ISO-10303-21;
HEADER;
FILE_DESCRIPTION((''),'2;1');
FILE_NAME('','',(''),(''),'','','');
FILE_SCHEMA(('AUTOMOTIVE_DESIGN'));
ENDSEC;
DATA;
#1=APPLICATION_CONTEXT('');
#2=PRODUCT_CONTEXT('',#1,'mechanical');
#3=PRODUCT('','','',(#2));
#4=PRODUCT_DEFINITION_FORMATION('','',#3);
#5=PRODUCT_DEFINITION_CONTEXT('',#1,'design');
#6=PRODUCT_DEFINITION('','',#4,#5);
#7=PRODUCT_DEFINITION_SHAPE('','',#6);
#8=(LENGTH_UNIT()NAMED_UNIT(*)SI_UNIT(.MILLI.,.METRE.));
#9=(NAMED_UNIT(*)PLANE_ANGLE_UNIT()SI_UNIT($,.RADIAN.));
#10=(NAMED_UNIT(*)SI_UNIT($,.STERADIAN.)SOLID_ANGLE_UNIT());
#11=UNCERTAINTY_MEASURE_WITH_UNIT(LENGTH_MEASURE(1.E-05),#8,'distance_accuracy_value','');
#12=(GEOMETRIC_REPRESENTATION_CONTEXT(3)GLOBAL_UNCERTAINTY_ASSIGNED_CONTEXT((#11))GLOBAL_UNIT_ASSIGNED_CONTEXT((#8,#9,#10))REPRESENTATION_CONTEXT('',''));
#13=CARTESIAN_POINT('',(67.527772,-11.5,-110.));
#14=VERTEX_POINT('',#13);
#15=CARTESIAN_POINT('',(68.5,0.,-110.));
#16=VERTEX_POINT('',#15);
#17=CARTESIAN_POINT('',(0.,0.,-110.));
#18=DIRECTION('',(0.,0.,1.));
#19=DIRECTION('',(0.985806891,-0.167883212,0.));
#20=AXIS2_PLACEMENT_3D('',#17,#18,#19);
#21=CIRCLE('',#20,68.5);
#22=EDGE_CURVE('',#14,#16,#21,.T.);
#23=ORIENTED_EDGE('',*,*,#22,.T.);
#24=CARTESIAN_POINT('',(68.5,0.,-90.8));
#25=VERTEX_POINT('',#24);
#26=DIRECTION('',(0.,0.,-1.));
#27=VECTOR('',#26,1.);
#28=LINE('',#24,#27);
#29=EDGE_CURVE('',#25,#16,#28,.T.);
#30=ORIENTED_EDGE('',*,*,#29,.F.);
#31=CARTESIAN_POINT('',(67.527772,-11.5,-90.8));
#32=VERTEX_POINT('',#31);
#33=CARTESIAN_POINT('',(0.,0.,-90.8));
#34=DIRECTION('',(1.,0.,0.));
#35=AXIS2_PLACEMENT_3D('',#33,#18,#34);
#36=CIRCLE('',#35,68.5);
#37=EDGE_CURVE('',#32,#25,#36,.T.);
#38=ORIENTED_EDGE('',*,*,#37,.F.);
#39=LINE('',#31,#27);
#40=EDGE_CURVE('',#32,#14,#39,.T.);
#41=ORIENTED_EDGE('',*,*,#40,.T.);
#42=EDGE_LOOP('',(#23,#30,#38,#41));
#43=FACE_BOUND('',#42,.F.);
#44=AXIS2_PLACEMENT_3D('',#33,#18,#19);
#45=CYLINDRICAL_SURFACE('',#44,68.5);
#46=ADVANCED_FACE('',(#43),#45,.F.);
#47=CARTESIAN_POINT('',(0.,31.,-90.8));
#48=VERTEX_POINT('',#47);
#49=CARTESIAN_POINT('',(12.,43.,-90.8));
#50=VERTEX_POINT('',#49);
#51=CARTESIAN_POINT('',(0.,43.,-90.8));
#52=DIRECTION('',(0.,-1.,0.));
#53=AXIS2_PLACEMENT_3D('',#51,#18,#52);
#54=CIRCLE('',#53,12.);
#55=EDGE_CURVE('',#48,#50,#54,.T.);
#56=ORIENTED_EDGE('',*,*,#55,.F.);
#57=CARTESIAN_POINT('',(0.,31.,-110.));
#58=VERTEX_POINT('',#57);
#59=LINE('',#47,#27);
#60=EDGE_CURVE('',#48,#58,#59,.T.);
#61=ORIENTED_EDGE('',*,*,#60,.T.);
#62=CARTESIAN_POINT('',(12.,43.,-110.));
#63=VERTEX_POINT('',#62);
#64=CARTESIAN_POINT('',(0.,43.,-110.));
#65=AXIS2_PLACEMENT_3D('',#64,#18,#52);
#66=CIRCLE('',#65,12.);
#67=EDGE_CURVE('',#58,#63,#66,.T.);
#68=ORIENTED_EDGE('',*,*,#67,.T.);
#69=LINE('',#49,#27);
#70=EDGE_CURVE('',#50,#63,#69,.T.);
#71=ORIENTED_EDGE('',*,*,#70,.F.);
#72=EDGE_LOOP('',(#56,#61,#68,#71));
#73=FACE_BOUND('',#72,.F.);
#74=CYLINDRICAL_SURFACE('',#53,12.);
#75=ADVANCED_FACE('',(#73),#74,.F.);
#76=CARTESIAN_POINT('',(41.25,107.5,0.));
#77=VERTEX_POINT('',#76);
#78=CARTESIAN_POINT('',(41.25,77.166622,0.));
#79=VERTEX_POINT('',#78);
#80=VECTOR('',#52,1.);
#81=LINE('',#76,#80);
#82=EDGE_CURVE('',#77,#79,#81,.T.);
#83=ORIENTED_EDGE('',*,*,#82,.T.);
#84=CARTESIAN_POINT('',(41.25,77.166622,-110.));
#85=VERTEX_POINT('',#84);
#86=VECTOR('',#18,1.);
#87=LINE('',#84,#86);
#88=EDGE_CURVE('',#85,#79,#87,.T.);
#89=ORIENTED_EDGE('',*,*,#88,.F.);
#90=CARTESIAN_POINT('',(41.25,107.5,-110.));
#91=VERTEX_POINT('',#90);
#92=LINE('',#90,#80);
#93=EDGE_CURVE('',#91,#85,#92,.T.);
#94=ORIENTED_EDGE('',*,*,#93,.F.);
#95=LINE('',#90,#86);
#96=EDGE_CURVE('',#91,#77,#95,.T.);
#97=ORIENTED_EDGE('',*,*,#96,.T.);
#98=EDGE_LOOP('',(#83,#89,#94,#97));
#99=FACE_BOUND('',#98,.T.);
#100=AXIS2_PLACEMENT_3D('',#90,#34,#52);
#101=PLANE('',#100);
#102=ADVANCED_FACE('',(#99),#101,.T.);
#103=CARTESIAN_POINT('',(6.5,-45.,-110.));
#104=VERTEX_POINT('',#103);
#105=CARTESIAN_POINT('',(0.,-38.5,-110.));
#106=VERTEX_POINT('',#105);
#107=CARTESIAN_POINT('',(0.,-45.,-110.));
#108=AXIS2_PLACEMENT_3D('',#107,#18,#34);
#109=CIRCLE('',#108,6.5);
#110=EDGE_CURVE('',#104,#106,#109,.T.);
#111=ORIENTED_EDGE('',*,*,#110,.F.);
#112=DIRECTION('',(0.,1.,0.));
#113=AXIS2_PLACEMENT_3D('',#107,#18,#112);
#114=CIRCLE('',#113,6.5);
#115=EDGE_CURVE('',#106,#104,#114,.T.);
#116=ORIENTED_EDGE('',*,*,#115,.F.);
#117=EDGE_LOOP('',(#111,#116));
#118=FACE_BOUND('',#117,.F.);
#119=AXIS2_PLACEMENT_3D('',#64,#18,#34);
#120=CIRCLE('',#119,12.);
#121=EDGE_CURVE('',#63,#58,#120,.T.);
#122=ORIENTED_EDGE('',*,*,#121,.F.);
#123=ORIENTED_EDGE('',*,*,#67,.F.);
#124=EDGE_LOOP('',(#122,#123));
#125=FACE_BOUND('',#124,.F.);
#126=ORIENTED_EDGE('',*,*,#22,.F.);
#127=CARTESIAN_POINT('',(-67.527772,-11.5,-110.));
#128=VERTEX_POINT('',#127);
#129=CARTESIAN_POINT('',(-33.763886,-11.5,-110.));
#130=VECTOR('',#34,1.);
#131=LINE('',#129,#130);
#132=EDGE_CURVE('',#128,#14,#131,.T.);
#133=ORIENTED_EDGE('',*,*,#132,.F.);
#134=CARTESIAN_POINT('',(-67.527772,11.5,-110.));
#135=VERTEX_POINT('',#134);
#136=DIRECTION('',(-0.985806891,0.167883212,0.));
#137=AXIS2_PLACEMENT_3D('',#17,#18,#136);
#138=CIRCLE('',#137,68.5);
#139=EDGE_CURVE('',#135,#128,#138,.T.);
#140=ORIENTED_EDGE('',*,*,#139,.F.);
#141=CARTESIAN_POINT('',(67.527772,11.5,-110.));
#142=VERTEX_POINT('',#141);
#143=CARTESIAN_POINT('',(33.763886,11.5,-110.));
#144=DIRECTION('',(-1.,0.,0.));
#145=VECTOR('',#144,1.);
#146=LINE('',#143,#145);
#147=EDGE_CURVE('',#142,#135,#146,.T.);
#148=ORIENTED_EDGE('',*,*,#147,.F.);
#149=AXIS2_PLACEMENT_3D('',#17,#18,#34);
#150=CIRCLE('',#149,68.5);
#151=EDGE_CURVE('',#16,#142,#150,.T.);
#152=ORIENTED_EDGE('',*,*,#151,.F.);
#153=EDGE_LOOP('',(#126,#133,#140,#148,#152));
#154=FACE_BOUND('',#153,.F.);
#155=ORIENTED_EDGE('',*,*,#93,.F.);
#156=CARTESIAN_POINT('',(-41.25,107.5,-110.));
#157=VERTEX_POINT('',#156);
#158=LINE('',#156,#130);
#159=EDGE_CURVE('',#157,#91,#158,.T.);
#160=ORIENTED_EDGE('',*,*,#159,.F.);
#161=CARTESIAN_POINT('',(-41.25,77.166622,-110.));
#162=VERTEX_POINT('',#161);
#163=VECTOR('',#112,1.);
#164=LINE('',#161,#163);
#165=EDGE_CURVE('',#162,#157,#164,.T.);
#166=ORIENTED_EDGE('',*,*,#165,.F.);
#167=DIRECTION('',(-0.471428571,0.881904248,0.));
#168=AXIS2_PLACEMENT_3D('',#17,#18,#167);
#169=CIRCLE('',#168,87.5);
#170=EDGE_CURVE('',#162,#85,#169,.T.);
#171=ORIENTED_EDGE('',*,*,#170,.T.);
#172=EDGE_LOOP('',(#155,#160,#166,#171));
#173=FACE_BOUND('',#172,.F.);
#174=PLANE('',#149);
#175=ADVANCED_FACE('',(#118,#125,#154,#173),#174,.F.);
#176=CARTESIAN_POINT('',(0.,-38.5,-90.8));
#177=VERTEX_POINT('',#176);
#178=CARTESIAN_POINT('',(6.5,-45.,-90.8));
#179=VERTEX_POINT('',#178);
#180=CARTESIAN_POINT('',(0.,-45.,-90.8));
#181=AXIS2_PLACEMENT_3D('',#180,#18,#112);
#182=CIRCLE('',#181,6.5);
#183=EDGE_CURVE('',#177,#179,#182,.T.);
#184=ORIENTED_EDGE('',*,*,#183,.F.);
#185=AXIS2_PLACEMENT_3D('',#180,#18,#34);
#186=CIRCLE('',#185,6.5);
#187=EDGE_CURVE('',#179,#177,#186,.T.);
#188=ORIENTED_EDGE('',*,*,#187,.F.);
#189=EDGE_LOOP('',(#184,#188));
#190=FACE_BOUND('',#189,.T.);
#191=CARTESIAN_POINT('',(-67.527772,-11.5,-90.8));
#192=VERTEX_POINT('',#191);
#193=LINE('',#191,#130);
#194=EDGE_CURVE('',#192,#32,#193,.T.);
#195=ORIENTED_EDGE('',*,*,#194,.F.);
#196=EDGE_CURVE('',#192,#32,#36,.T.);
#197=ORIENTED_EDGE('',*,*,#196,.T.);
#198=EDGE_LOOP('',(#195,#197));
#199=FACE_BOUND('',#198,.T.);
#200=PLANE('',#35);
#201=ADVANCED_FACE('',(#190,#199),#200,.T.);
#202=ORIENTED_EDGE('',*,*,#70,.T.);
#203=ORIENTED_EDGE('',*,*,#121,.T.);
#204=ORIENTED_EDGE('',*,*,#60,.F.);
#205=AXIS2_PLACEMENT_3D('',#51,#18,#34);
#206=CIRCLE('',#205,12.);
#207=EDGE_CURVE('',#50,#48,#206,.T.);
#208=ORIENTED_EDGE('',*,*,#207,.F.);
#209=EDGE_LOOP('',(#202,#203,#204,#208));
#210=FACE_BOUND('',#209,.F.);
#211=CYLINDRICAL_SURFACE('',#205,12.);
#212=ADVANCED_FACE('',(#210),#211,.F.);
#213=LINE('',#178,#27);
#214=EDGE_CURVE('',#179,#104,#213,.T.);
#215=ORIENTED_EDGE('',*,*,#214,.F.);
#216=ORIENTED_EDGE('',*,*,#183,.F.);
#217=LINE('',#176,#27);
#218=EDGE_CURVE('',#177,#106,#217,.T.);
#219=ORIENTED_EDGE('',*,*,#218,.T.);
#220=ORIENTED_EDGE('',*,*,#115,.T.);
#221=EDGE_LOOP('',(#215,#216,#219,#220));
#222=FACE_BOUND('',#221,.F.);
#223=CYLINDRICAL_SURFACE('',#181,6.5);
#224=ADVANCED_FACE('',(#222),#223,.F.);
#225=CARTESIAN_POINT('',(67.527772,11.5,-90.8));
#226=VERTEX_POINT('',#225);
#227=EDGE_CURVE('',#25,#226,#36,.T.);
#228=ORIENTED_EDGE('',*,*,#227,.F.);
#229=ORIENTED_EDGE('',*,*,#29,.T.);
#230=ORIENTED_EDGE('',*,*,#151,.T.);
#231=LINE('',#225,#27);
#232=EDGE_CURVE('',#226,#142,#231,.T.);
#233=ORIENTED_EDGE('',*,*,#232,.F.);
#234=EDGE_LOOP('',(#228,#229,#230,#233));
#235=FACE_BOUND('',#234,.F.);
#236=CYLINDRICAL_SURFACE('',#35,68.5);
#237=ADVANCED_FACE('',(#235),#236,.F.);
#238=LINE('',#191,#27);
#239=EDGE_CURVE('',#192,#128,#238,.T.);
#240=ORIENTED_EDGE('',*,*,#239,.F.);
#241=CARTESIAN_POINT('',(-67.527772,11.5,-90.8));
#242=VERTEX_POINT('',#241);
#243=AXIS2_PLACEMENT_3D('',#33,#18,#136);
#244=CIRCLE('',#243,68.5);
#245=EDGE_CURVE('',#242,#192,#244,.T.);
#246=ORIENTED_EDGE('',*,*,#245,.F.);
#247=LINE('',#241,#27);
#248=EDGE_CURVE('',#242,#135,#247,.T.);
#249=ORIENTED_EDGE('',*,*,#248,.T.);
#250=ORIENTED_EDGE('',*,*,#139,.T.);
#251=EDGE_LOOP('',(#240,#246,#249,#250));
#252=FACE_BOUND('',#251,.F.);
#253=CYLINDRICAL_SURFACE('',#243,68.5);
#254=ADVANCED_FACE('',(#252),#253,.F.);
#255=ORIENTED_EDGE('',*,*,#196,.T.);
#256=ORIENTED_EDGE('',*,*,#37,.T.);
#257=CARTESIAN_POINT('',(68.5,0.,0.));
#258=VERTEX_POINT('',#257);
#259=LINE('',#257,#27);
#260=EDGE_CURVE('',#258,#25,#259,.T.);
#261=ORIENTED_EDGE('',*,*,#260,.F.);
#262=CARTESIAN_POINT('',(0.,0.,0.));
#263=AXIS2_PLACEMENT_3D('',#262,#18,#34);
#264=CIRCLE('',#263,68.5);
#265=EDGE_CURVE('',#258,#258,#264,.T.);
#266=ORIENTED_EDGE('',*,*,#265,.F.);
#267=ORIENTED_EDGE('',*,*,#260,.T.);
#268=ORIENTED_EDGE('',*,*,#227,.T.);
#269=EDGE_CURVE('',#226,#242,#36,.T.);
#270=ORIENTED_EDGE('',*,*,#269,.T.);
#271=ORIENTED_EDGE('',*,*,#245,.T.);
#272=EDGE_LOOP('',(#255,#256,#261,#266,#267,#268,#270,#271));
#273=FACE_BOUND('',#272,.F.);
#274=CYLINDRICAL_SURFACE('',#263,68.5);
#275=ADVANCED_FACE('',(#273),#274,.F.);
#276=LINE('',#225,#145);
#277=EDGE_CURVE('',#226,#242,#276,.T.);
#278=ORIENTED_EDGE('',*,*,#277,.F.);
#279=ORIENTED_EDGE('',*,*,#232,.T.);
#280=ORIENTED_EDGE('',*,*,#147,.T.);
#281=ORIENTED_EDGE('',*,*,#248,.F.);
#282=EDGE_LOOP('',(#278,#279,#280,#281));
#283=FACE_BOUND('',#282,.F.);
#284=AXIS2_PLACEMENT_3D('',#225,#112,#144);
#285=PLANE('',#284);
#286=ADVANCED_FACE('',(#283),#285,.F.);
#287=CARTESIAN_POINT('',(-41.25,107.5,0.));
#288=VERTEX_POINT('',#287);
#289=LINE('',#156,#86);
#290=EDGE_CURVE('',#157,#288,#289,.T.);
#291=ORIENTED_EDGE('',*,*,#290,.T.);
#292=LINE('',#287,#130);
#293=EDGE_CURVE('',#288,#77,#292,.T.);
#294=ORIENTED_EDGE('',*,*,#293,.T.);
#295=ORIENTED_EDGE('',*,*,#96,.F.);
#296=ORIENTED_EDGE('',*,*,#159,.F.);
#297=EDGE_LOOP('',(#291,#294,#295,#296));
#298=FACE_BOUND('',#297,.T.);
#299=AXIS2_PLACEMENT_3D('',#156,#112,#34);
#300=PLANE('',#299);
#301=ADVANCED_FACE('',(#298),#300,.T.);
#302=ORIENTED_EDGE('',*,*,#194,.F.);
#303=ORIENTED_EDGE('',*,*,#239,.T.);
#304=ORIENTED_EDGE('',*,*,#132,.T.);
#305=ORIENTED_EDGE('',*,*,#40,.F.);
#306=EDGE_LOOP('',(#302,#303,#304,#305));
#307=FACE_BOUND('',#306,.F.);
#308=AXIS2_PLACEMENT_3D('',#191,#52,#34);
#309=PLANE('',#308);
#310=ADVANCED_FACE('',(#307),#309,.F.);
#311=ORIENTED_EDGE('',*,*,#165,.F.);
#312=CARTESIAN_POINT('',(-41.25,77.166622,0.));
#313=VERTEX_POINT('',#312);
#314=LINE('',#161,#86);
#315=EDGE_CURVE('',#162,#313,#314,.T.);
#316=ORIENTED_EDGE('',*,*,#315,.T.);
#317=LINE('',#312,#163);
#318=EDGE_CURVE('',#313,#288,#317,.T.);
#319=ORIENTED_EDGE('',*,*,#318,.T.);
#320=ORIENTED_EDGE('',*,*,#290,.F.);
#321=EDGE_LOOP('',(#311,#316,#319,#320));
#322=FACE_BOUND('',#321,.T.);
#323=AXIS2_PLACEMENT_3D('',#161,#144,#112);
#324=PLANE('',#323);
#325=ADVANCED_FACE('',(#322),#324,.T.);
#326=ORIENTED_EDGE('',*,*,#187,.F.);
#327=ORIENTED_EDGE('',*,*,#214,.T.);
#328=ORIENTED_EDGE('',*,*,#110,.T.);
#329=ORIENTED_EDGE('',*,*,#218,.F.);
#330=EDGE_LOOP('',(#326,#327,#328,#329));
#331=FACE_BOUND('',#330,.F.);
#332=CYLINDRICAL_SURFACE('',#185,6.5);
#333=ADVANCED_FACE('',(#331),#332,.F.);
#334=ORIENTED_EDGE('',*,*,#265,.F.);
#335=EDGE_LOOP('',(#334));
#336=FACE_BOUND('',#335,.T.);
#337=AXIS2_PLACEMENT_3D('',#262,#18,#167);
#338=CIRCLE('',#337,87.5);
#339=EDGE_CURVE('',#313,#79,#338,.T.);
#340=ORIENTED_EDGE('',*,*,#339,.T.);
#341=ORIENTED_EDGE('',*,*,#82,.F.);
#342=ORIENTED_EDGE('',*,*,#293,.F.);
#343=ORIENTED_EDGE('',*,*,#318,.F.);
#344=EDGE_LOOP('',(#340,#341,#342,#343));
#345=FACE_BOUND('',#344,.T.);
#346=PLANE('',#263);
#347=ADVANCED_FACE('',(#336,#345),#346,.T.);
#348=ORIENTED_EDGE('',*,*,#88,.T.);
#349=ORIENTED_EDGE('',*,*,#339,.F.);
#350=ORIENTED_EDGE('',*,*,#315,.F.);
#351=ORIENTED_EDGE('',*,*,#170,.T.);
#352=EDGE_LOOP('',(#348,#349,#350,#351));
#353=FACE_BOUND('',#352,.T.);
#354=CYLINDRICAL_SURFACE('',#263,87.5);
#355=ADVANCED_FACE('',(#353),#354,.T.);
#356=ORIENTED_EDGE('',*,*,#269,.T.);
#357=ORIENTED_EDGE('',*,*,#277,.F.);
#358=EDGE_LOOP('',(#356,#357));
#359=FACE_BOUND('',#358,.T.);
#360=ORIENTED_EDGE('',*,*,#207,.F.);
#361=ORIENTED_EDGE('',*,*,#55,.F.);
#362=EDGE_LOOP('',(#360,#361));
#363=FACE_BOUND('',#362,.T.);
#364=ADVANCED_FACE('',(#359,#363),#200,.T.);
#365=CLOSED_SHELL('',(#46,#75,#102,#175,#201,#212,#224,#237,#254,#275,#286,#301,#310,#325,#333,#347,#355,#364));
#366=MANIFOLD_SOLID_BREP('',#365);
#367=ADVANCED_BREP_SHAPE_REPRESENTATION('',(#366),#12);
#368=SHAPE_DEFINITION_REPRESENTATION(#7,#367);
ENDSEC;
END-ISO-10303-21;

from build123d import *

# Parameters (mm, degrees)
F0_W     = 330
F0_H     = 300
F1_DEPTH = 110
F2_R     = 68.5
F3_DEPTH = 90.8
F5_DEPTH = 19.201
F2_W     = 330
F2_H     = 300
F2_R_2   = 87.5
F6_DEPTH = 110.001
F8_DEPTH = 110


with BuildPart() as f1:
    # F0 (on Top) → F1 (new body)
    with BuildSketch(Plane.XY):
        Rectangle(F0_W, F0_H)
    extrude(amount=-F1_DEPTH)

    # F2 (on Top) → F3 (cut)
    with BuildSketch(Plane.XY):
        Circle(F2_R)
    extrude(amount=-F3_DEPTH, mode=Mode.SUBTRACT)

    # F4 (on face) → F5 (cut, through all)
    with BuildSketch(Plane.XY.offset(-90.8)):
        with BuildLine():
            Line((0, -11.5), (0, 0))
            Line((0, 0), (0, 11.5))
            Line((0, 11.5), (-67.5277720645, 11.5))
            ThreePointArc((-67.5277720645, 11.5), (-68.5, 0), (-67.5277720645, -11.5))
            Line((-67.5277720645, -11.5), (0, -11.5))
        make_face()
        with BuildLine():
            Line((0, 11.5), (0, 0))
            Line((0, 0), (0, -11.5))
            Line((0, -11.5), (67.5277720645, -11.5))
            ThreePointArc((67.5277720645, -11.5), (68.2565102625, -5.7705118308), (68.5, 0))
            ThreePointArc((68.5, 0), (68.2565102625, 5.7705118308), (67.5277720645, 11.5))
            Line((67.5277720645, 11.5), (0, 11.5))
        make_face()
        with BuildLine():
            ThreePointArc((12, 43), (-8.4852813742, 51.4852813742), (0, 31))
            ThreePointArc((0, 31), (8.4852813742, 34.5147186258), (12, 43))
        make_face()
        with BuildLine():
            ThreePointArc((6.5, -45), (4.5961940777, -40.4038059223), (0, -38.5))
            ThreePointArc((0, -38.5), (-4.5961940777, -49.5961940777), (6.5, -45))
        make_face()
    extrude(amount=-F5_DEPTH, mode=Mode.SUBTRACT)

    # F2 (on Top) → F6 (cut, through all)
    with BuildSketch(Plane.XY):
        Rectangle(F2_W, F2_H)
        Circle(F2_R_2, mode=Mode.SUBTRACT)
    extrude(amount=-F6_DEPTH, mode=Mode.SUBTRACT)

    # F7 (on face) → F8 (join)
    with BuildSketch(Plane(origin=(0, 0, -110), x_dir=(1, 0, 0), z_dir=(0, 0, -1))):
        with BuildLine():
            ThreePointArc((41.25, -77.1666216703), (0, -87.5), (-41.25, -77.1666216703))
            Line((-41.25, -77.1666216703), (-41.25, -107.5))
            Line((-41.25, -107.5), (41.25, -107.5))
            Line((41.25, -107.5), (41.25, -77.1666216703))
        make_face()
    extrude(amount=-F8_DEPTH)


solid = f1.part
